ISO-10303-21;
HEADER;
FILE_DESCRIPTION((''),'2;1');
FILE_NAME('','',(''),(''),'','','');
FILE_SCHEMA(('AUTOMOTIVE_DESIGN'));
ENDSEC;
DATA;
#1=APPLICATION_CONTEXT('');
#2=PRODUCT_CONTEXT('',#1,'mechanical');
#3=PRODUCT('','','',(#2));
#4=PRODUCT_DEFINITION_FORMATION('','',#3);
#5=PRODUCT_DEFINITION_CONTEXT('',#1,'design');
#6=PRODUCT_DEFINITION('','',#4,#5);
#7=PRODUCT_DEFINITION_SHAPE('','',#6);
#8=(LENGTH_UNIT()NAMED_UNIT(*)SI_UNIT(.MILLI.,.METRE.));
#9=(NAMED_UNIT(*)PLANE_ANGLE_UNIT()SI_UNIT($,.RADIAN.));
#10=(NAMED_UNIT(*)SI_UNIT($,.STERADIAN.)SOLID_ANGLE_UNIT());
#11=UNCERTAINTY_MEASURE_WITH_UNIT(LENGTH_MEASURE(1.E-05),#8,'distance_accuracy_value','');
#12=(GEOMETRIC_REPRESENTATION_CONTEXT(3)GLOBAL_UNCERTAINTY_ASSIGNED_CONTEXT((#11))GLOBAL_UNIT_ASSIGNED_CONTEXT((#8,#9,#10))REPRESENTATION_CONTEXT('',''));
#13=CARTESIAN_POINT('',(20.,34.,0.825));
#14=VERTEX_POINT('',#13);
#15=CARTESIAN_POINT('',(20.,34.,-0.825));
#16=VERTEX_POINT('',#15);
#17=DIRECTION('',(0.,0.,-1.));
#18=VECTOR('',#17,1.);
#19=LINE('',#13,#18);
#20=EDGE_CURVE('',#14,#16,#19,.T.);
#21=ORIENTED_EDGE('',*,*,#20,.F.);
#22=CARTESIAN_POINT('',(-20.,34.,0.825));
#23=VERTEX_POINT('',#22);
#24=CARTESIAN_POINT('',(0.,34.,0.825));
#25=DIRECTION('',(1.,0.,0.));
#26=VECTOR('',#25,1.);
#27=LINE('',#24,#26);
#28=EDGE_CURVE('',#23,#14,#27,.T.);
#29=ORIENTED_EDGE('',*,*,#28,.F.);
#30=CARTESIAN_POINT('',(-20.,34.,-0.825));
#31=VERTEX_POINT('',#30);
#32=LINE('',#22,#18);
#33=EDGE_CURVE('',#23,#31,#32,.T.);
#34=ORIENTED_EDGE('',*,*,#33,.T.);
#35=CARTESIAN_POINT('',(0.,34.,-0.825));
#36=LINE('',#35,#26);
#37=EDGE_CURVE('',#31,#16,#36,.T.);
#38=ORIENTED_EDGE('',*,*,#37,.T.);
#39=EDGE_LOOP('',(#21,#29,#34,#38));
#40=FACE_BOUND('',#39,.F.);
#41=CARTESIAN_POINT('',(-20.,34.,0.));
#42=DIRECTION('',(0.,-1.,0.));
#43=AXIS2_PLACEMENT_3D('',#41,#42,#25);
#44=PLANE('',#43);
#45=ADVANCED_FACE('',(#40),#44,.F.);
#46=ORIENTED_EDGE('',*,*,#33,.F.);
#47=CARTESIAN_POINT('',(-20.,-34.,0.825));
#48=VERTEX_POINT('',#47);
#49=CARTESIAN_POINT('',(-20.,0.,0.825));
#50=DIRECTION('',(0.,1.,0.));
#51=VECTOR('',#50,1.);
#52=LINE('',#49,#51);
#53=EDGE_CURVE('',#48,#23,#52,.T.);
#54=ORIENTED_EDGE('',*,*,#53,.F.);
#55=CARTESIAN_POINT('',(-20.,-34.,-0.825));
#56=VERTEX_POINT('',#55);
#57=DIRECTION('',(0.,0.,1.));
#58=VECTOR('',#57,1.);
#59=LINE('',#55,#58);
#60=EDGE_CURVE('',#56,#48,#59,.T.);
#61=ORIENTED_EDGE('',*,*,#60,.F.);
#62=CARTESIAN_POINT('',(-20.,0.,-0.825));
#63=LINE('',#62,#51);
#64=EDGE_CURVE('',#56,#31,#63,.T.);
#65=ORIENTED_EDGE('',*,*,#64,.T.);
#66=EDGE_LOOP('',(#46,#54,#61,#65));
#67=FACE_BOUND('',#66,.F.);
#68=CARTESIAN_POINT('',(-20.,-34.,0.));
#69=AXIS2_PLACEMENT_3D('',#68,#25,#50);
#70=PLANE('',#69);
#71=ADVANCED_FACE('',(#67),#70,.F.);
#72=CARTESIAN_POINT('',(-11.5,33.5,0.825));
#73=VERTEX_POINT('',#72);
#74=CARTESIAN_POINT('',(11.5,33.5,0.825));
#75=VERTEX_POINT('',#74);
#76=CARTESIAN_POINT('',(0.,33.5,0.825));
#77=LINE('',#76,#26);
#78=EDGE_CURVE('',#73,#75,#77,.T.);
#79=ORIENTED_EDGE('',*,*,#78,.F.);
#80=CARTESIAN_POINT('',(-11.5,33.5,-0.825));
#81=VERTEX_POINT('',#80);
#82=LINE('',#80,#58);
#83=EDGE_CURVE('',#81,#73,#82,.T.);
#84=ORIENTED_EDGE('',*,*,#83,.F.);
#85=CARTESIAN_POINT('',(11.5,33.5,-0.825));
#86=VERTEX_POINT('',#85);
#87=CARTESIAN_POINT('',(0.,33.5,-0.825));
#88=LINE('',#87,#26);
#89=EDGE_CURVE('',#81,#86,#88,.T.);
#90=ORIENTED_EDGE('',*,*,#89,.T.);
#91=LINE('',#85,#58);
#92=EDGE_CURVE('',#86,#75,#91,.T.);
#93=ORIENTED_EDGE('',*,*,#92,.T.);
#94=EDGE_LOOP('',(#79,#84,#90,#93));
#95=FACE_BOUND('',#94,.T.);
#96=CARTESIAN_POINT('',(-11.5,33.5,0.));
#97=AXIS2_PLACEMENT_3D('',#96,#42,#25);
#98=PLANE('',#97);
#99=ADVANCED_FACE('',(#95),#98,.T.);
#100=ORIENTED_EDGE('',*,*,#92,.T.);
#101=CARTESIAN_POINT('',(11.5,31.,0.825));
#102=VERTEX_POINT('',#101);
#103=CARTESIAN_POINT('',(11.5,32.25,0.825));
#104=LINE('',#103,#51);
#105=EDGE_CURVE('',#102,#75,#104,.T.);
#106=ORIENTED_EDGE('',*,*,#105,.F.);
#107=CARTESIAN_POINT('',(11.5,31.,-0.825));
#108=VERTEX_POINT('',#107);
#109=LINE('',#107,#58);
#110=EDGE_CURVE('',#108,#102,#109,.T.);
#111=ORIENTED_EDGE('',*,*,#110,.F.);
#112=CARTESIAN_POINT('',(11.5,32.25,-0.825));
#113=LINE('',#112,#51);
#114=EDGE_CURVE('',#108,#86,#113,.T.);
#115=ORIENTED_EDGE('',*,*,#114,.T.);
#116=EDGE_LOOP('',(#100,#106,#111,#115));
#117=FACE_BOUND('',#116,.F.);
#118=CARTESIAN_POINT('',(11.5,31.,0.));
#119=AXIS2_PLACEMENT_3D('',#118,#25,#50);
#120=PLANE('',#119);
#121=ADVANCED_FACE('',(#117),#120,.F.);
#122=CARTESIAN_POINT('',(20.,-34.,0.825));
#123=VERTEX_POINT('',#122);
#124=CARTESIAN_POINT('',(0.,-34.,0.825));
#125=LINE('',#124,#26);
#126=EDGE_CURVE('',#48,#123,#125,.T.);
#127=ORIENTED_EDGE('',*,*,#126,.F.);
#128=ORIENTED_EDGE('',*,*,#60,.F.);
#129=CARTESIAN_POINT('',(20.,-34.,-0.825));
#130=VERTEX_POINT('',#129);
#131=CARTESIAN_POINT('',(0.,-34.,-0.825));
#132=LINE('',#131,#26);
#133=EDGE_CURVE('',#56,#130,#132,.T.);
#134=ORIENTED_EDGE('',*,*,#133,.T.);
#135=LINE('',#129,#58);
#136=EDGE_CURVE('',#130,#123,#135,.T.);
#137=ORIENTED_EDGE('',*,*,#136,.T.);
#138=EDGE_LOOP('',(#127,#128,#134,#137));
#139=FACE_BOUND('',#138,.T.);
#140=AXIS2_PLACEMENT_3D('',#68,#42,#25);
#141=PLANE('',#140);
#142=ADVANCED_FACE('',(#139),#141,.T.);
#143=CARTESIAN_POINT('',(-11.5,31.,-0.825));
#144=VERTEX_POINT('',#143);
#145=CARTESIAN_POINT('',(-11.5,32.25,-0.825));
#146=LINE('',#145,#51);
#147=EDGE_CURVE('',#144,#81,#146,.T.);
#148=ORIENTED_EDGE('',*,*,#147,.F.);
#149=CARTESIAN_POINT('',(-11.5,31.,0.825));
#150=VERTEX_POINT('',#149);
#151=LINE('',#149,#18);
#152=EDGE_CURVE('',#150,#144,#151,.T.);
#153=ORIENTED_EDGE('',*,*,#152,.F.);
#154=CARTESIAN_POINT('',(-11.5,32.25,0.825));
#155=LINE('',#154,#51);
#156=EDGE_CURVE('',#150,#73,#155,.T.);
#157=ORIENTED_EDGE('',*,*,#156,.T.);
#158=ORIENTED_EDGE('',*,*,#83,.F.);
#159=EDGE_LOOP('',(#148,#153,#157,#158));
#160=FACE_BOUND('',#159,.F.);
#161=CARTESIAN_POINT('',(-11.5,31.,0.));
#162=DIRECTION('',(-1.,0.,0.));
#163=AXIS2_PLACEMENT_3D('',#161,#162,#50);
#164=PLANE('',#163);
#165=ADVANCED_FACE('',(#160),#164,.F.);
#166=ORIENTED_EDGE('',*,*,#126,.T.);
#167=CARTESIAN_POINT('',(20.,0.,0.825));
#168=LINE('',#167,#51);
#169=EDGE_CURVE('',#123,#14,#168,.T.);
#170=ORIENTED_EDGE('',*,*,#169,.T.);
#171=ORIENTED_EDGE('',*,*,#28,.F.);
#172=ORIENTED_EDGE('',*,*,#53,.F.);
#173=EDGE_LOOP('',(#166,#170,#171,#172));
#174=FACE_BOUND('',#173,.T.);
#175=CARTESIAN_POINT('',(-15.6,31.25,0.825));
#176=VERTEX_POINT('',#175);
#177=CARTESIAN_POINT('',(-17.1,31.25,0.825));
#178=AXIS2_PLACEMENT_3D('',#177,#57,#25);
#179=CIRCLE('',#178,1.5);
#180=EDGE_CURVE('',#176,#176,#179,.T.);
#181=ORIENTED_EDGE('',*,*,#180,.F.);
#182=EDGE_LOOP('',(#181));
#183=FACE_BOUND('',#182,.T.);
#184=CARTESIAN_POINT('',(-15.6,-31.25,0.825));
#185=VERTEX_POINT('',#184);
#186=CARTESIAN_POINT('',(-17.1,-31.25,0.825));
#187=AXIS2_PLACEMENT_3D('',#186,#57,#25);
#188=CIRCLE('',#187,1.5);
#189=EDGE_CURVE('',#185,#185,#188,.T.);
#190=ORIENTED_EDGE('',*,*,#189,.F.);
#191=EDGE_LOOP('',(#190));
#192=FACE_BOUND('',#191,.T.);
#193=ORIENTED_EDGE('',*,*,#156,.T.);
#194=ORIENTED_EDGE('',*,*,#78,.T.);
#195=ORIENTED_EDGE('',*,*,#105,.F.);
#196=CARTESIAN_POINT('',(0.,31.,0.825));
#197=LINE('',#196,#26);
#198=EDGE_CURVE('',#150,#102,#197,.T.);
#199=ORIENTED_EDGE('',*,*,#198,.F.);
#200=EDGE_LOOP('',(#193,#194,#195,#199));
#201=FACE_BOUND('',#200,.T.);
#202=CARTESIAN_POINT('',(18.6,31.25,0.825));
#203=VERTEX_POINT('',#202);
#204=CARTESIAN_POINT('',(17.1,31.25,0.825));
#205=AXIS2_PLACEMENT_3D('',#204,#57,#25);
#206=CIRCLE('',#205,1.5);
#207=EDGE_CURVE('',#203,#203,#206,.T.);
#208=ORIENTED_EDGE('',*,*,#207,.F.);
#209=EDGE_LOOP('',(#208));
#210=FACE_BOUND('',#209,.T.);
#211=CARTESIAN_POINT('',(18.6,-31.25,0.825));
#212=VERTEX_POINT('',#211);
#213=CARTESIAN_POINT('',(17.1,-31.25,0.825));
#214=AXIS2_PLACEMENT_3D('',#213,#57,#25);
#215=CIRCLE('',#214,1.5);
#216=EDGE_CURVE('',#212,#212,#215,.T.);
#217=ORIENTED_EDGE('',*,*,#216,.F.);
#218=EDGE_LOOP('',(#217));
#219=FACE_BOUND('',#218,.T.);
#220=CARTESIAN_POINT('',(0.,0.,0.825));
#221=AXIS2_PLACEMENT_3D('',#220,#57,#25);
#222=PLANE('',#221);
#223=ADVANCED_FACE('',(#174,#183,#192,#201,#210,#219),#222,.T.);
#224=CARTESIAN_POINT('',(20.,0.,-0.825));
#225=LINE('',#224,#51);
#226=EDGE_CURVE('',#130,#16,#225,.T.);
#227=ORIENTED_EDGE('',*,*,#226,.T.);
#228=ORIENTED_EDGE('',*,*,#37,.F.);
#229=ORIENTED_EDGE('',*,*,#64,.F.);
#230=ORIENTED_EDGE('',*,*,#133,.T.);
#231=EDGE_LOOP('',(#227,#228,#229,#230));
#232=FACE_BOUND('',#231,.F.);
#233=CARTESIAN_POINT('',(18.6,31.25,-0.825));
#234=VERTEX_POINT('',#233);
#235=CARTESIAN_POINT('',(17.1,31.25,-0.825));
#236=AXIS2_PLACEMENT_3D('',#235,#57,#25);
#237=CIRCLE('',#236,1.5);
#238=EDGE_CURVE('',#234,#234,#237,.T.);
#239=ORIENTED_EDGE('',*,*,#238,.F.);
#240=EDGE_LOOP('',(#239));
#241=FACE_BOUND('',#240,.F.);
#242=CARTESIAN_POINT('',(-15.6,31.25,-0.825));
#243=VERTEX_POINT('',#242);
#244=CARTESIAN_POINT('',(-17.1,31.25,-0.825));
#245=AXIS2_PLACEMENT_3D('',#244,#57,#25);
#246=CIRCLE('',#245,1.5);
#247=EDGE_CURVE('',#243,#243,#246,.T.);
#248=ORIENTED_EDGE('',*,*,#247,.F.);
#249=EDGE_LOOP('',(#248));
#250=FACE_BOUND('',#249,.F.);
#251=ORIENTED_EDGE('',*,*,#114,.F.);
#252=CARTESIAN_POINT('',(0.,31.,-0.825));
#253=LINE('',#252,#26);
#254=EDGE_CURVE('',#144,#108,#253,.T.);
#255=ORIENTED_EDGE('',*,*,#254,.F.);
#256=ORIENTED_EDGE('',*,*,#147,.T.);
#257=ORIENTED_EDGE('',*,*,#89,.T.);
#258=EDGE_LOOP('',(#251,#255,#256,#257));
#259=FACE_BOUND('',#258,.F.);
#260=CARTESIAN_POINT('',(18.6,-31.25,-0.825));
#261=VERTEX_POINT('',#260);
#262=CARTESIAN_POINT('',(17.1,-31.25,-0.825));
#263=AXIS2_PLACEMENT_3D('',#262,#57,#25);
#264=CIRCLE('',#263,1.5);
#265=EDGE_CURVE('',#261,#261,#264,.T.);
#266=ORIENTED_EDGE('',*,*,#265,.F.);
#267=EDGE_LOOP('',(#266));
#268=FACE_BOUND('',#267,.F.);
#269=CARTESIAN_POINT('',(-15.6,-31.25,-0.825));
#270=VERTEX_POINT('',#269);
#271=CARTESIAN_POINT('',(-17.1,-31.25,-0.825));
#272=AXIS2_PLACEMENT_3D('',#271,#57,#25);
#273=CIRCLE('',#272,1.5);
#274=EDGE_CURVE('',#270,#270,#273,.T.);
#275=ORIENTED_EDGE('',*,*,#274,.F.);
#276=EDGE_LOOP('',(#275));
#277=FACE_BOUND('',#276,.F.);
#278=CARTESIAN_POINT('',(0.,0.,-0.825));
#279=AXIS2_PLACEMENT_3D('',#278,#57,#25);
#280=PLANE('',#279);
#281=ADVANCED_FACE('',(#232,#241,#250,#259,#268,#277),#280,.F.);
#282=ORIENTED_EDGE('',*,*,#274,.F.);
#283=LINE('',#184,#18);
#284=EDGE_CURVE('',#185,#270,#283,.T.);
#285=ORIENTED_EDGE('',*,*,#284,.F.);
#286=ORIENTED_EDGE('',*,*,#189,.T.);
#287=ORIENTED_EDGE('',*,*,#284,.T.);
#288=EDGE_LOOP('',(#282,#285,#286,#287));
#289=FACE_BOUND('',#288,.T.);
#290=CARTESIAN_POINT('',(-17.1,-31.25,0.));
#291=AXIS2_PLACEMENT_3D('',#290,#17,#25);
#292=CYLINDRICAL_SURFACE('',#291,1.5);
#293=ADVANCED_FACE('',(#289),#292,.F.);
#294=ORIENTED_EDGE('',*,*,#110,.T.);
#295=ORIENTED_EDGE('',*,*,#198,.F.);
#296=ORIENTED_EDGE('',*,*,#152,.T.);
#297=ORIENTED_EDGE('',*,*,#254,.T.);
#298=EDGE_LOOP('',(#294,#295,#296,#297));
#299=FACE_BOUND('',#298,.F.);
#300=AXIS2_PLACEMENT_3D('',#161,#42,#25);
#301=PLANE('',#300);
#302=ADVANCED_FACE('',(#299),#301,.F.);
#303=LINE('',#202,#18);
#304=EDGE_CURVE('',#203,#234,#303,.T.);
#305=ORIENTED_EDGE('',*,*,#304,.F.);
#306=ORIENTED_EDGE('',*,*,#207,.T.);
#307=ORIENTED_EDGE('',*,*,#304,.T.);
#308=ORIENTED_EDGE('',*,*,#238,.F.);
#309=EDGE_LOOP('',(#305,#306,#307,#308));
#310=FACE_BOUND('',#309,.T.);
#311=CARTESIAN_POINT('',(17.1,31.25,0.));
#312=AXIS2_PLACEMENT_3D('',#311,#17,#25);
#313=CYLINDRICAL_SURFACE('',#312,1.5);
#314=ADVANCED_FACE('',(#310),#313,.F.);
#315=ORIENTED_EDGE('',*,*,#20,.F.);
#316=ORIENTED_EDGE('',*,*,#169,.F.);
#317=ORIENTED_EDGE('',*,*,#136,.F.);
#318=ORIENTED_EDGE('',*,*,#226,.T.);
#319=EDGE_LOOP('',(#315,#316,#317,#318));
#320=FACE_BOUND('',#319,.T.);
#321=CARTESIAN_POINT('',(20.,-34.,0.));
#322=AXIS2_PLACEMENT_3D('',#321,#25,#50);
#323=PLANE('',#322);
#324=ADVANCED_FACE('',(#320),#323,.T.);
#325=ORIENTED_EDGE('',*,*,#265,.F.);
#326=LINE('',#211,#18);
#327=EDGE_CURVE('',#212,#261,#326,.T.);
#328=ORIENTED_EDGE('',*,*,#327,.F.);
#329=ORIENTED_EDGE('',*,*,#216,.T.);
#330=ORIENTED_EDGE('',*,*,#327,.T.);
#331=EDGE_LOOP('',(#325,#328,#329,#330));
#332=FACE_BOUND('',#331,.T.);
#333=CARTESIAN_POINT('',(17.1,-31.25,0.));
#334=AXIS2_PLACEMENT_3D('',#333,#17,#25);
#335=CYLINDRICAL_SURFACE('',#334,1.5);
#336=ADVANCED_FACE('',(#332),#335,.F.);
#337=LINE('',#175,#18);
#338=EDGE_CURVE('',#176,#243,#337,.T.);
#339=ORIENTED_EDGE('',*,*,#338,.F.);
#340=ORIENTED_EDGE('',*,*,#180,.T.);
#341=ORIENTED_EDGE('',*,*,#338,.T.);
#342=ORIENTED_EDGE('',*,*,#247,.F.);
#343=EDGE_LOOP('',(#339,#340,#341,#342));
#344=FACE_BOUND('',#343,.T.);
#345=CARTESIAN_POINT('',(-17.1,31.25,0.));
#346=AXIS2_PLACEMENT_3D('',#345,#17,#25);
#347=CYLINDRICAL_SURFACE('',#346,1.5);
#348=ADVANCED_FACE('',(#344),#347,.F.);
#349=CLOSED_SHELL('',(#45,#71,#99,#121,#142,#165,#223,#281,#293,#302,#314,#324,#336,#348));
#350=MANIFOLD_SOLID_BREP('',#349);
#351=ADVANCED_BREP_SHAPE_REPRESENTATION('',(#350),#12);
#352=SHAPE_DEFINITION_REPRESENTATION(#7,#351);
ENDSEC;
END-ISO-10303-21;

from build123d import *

# Parameters (mm, degrees)
SKETCH_W   = 40
SKETCH_H   = 68
SKETCH_R   = 1.5
SKETCH_W_2 = 23
SKETCH_H_2 = 2.5
PAD_DEPTH  = 0.825


with BuildPart() as part:
    # Sketch → Pad (new body, symmetric)
    with BuildSketch(Plane.XY):
        Rectangle(SKETCH_W, SKETCH_H)
        with Locations((-17.1, 31.25)):
            Circle(SKETCH_R, mode=Mode.SUBTRACT)
        with Locations((17.1, 31.25)):
            Circle(SKETCH_R, mode=Mode.SUBTRACT)
        with Locations((-17.1, -31.25)):
            Circle(SKETCH_R, mode=Mode.SUBTRACT)
        with Locations((17.1, -31.25)):
            Circle(SKETCH_R, mode=Mode.SUBTRACT)
        with Locations((0, 32.25)):
            Rectangle(SKETCH_W_2, SKETCH_H_2, mode=Mode.SUBTRACT)
    extrude(amount=PAD_DEPTH, both=True)


solid = part.part
